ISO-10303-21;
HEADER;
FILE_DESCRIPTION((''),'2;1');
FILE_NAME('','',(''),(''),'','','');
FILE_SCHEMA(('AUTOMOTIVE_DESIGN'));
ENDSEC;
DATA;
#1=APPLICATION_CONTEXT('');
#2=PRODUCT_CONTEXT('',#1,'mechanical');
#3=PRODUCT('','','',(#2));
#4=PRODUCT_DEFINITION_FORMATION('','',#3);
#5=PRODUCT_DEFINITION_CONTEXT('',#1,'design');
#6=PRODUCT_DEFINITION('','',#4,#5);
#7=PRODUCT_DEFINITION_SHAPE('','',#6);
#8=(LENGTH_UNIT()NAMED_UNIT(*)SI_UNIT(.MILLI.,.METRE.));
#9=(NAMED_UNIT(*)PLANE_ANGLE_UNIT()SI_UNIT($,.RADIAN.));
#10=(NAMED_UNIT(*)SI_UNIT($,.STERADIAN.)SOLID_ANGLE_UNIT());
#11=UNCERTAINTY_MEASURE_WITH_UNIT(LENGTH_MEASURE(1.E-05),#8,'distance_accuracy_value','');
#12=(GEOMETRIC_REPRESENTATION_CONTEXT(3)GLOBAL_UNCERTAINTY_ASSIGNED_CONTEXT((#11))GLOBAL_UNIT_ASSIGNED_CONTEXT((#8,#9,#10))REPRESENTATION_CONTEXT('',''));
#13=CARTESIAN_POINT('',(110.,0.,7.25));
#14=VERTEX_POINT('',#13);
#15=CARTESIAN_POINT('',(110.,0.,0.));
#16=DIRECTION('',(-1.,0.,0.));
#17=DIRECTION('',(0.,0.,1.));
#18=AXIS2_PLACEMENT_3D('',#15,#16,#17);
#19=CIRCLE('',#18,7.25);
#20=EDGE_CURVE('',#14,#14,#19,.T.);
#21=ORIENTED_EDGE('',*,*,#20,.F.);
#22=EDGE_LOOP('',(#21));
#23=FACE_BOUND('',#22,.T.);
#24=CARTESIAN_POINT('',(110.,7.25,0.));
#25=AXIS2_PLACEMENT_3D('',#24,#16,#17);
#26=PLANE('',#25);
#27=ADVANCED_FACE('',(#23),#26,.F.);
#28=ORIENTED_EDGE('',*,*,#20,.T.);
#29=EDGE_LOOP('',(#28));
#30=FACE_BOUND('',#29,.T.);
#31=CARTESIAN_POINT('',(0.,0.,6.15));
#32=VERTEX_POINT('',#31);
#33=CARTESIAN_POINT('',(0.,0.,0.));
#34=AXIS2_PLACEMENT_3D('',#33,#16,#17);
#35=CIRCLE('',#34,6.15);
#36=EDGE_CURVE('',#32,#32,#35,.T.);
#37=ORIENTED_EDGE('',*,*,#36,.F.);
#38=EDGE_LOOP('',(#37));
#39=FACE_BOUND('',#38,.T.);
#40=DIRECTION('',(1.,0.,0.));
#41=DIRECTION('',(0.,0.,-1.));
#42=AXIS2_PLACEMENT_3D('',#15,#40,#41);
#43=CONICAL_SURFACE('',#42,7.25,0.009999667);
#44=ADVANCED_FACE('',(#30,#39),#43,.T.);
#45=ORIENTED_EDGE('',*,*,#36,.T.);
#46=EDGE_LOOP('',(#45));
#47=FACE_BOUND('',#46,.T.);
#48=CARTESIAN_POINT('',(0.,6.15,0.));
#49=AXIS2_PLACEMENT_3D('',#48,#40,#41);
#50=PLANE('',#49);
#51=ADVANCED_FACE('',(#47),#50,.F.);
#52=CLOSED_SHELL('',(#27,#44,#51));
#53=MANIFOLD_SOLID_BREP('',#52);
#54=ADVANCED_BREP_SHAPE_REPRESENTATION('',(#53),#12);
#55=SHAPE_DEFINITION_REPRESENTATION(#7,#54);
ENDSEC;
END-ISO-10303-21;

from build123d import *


with BuildPart() as part:
    # Sketch1 → Revolve1 (revolve)
    with BuildSketch(Plane.XY, mode=Mode.PRIVATE) as revolve1_sk:
        Polygon((110, 7.25), (0, 6.15), (0, 0), (110, 0), align=None)
    revolve(revolve1_sk.sketch.rotate(Axis((0, 0, 0), (1, 0, 0)), 90), axis=Axis((0, 0, 0), (1, 0, 0)))


solid = part.part
